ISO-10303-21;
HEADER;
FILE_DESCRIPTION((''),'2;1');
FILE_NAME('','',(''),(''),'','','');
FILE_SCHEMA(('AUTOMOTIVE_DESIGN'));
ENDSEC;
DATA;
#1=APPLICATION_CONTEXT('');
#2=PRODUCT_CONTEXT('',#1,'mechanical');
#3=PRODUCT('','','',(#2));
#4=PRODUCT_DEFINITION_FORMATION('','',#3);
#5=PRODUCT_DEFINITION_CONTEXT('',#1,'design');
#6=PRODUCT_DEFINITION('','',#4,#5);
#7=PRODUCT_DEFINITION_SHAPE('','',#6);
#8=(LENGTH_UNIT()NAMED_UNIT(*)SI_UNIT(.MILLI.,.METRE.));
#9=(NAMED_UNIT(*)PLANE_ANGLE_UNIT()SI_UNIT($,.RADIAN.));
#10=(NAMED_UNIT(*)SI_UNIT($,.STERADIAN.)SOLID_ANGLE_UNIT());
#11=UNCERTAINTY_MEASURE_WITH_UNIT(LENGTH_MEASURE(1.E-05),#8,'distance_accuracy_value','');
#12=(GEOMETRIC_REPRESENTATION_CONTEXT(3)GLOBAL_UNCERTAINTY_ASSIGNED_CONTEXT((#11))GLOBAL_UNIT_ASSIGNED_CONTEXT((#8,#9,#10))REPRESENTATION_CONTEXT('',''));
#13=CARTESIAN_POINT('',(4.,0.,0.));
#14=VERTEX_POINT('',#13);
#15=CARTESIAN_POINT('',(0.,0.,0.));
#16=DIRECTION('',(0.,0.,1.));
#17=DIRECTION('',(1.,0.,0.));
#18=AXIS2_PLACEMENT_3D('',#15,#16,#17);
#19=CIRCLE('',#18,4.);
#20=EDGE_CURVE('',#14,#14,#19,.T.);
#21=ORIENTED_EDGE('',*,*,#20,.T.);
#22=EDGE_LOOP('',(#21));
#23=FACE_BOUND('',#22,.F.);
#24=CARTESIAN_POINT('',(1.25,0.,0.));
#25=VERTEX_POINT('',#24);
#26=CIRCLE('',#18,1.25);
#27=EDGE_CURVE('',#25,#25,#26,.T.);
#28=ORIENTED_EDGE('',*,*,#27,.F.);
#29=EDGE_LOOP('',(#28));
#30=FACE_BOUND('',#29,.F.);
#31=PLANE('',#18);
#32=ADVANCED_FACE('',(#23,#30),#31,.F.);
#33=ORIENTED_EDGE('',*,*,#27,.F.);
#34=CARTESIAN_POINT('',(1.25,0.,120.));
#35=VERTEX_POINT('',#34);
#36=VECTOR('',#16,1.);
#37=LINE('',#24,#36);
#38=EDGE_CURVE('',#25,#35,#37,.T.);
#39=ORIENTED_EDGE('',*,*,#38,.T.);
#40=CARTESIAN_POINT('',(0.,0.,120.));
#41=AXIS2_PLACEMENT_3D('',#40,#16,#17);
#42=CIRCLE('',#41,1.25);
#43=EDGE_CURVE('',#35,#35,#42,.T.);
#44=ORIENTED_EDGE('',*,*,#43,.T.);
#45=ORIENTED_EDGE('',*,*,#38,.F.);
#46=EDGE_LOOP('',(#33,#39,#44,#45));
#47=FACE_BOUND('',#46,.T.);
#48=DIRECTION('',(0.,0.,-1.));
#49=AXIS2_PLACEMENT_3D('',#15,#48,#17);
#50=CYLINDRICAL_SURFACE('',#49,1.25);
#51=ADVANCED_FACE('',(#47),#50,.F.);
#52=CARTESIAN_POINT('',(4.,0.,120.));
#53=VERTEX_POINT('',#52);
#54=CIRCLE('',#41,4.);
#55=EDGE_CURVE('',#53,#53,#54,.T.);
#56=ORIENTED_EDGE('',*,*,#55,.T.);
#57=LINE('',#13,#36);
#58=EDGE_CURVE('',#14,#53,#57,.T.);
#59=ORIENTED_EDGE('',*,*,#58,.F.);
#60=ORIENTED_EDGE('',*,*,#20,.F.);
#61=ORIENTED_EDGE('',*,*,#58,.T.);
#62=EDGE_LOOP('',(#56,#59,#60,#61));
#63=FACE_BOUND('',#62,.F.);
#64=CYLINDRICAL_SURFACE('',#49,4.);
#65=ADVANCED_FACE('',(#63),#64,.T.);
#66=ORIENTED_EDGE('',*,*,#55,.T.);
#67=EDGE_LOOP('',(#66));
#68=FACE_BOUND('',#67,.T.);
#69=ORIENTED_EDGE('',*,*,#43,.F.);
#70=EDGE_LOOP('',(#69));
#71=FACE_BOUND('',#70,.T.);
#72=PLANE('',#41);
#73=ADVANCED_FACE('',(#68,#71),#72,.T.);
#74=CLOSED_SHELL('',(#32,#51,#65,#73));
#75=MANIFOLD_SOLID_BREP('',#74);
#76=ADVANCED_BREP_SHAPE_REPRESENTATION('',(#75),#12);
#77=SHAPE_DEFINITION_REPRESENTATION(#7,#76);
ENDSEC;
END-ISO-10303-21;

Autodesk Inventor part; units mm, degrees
ref_plane "YZ Plane" through (0, 0, 0) normal (1, 0, 0) x (0, 1, 0)
ref_plane "XZ Plane" through (0, 0, 0) normal (0, 1, 0) x (-1, 0, 0)
ref_plane "XY Plane" through (0, 0, 0) normal (0, 0, 1) x (1, 0, 0)
sketch "スケッチ1" plane through (0, 0, 0) normal (0, 0, 1) x (1, 0, 0)
  circle A0 centre (0, 0) radius 4
  circle A1 centre (0, 0) radius 1.25
  dimension "d0" = 8
  dimension "d1" = 2.5
extrude "押し出し1" add sketch "スケッチ1" along normal blind 120
properties part number "軸8-115" material "アルミニウム 6061"
